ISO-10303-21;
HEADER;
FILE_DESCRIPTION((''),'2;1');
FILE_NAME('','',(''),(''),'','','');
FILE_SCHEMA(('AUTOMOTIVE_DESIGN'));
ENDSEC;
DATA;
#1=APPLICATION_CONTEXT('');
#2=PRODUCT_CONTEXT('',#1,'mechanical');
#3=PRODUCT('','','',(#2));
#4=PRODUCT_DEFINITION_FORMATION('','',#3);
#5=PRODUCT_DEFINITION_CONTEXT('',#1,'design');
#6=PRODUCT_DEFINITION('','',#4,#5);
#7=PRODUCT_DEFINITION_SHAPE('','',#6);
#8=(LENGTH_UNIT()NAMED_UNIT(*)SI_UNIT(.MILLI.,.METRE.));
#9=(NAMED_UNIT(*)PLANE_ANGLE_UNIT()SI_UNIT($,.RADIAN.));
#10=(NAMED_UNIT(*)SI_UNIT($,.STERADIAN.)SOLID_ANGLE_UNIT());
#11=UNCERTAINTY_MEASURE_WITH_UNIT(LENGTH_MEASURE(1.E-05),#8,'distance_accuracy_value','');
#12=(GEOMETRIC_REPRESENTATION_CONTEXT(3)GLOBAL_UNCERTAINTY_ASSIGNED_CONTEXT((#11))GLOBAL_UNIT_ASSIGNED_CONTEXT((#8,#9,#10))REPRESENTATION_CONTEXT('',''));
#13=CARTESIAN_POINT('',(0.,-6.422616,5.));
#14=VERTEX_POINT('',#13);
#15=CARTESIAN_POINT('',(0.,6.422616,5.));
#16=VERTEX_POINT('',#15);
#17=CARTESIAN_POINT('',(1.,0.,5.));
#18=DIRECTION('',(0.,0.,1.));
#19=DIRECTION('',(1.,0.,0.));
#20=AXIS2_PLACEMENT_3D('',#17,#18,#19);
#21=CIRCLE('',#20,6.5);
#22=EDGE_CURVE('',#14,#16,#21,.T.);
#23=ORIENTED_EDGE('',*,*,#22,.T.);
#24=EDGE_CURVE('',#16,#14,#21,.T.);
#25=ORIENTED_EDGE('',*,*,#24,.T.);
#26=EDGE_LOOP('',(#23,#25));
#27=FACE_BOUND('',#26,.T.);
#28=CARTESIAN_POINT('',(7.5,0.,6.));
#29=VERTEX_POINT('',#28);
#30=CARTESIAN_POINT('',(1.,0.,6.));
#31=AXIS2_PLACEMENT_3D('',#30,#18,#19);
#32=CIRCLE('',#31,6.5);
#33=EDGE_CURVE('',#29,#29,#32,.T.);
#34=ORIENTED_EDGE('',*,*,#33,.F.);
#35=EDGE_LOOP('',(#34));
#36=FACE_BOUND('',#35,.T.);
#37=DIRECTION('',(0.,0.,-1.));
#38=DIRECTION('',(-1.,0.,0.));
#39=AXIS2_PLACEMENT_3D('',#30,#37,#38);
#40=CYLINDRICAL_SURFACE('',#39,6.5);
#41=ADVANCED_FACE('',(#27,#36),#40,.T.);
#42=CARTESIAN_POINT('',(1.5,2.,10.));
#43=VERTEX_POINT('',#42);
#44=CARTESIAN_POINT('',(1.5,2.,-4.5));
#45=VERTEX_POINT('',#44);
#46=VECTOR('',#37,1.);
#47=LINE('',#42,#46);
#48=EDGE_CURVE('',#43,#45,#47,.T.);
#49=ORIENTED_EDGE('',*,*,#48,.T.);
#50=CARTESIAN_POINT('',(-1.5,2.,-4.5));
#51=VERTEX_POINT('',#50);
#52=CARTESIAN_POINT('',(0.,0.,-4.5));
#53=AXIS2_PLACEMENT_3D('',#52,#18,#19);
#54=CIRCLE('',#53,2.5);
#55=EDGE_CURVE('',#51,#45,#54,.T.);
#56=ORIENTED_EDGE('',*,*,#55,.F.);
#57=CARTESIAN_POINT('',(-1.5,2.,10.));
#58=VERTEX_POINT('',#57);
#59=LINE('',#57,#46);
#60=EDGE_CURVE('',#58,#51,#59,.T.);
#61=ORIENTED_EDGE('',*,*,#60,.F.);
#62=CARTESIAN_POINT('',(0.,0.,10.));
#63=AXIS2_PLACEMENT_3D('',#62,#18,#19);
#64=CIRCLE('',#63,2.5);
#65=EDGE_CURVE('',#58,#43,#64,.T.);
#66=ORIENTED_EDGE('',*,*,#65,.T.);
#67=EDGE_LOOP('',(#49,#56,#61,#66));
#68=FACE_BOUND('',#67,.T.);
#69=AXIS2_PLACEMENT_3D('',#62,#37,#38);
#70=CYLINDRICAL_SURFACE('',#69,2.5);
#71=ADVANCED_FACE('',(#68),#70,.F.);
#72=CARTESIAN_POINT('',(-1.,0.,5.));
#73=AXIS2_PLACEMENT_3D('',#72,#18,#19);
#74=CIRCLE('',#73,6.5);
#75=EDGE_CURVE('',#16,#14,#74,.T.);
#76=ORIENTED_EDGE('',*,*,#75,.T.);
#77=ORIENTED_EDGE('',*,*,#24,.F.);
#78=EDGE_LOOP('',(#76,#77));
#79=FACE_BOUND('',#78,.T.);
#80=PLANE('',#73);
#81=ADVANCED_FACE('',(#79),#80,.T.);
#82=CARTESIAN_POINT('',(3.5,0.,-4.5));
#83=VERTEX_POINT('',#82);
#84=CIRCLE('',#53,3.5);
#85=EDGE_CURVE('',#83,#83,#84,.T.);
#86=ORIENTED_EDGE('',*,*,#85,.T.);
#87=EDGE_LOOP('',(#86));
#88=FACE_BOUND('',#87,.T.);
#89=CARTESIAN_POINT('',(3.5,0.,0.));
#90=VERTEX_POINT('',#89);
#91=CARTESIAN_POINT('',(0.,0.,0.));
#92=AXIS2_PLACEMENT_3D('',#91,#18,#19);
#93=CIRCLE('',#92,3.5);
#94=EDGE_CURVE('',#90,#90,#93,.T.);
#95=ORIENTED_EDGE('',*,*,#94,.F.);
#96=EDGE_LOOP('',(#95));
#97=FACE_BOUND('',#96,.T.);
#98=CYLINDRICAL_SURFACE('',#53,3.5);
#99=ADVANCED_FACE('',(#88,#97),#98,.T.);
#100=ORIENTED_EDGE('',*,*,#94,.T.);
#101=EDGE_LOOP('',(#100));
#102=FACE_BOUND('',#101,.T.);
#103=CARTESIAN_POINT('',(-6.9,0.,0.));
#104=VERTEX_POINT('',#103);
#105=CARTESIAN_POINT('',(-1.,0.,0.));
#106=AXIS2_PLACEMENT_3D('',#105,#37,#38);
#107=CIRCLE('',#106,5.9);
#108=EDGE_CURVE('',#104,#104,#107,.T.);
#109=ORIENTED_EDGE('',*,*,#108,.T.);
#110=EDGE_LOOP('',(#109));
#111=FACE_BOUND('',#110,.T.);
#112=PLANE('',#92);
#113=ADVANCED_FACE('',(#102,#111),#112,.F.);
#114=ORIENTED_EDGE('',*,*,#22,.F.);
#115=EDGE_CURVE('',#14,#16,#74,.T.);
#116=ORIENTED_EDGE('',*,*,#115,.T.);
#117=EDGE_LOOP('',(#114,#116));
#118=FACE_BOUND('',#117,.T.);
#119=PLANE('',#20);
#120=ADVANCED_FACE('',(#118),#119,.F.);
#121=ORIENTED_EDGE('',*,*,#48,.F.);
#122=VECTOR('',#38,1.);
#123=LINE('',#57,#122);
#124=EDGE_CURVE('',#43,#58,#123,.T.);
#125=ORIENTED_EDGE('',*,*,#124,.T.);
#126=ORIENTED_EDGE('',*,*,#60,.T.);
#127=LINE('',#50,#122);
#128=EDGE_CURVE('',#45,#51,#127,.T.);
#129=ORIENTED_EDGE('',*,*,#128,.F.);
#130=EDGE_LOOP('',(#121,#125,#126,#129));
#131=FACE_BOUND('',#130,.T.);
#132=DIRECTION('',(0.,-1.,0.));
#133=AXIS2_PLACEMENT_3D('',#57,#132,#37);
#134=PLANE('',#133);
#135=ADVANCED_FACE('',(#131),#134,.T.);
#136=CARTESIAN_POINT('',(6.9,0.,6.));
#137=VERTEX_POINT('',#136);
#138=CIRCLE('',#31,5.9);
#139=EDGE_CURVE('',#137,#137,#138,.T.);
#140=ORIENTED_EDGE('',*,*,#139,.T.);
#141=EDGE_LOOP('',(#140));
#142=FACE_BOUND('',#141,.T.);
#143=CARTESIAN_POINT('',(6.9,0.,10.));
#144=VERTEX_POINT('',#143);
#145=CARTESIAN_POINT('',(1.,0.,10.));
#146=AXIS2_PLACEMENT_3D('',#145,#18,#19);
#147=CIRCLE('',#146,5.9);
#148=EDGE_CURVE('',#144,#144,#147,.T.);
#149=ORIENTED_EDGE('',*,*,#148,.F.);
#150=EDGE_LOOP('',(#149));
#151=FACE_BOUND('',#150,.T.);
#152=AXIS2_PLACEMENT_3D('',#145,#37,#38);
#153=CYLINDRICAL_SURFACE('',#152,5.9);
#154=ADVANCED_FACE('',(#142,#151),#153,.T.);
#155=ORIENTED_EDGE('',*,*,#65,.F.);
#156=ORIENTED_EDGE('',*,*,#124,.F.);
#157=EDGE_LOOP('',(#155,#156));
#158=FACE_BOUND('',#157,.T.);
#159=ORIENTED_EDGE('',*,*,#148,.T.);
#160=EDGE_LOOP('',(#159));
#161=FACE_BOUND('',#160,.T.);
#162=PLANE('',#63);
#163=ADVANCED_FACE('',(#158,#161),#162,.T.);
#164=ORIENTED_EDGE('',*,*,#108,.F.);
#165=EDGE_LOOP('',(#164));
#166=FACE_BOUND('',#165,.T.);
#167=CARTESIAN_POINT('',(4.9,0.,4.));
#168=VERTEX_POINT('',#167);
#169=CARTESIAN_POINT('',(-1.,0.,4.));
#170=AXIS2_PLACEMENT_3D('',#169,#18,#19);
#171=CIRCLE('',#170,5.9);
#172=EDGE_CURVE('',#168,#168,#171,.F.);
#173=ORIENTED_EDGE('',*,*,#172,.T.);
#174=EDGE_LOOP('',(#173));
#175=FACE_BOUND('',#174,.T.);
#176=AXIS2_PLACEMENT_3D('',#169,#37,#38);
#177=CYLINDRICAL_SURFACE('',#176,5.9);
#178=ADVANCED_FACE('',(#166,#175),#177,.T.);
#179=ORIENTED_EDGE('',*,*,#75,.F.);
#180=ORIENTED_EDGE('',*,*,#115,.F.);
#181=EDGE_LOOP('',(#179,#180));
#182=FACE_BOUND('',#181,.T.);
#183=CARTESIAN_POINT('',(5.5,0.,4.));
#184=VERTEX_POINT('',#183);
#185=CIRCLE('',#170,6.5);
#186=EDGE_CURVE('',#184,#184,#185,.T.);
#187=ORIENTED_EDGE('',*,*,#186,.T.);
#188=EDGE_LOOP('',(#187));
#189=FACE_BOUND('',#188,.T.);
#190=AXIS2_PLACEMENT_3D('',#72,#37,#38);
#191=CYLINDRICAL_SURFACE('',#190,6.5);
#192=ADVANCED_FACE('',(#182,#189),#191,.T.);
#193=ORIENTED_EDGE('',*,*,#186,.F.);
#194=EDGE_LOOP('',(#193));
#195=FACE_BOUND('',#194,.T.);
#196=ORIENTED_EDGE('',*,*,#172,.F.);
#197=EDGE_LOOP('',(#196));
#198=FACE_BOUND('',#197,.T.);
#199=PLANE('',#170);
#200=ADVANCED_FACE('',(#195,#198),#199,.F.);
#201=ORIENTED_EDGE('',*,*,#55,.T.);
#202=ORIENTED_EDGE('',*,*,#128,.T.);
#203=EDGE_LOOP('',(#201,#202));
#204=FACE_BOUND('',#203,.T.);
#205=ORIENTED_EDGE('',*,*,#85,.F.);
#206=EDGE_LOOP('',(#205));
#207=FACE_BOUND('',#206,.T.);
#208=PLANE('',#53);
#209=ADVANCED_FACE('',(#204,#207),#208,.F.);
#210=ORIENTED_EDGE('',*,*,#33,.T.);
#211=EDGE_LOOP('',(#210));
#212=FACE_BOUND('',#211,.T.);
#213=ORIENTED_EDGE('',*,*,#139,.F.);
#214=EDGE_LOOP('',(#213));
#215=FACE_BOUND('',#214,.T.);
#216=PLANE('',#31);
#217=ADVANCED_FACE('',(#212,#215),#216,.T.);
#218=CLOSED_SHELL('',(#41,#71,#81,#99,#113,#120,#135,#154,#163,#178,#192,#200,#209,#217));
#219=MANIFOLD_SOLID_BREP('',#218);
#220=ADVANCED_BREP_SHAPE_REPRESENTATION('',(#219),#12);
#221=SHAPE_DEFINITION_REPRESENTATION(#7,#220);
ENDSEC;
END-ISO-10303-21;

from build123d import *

# Parameters (mm, degrees)
SKETCH1_R           = 3.5
BOSS_EXTRUDE1_DEPTH = 10
SKETCH2_R           = 5.9
SKETCH2_R_2         = 3.5
BOSS_EXTRUDE2_DEPTH = 4
SKETCH3_R           = 6.5
BOSS_EXTRUDE3_DEPTH = 1
SKETCH4_R           = 6.5
BOSS_EXTRUDE4_DEPTH = 1
SKETCH5_R           = 5.9
BOSS_EXTRUDE5_DEPTH = 4
BOSS_EXTRUDE6_START = -4.5
SKETCH1_2_R         = 3.5
BOSS_EXTRUDE6_DEPTH = 4.5


with BuildPart() as part:
    # Sketch1 → Boss-Extrude1 (new body)
    with BuildSketch(Plane.XY):
        Circle(SKETCH1_R)
        with BuildLine():
            Line((-1.5, 2), (1.5, 2))
            ThreePointArc((1.5, 2), (0, -2.5), (-1.5, 2))
        make_face(mode=Mode.SUBTRACT)
    extrude(amount=BOSS_EXTRUDE1_DEPTH)

    # Sketch2 → Boss-Extrude2 (add)
    with BuildSketch(Plane(origin=(0, 0, 0), x_dir=(-1, 0, 0), z_dir=(0, 0, -1))):
        with Locations((1, 0)):
            Circle(SKETCH2_R)
        Circle(SKETCH2_R_2, mode=Mode.SUBTRACT)
    extrude(amount=-BOSS_EXTRUDE2_DEPTH)

    # Sketch3 → Boss-Extrude3 (add)
    with BuildSketch(Plane.XY.offset(4)):
        with Locations((-1, 0)):
            Circle(SKETCH3_R)
        with BuildLine():
            Line((1.5, 2), (-1.5, 2))
            ThreePointArc((-1.5, 2), (0, -2.5), (1.5, 2))
        make_face(mode=Mode.SUBTRACT)
    extrude(amount=BOSS_EXTRUDE3_DEPTH)

    # Sketch4 → Boss-Extrude4 (add)
    with BuildSketch(Plane.XY.offset(5)):
        with Locations((1, 0)):
            Circle(SKETCH4_R)
        with BuildLine():
            Line((1.5, 2), (-1.5, 2))
            ThreePointArc((-1.5, 2), (0, -2.5), (1.5, 2))
        make_face(mode=Mode.SUBTRACT)
    extrude(amount=BOSS_EXTRUDE4_DEPTH)

    # Sketch5 → Boss-Extrude5 (add)
    with BuildSketch(Plane.XY.offset(6)):
        with Locations((1, 0)):
            Circle(SKETCH5_R)
        with BuildLine():
            Line((1.5, 2), (-1.5, 2))
            ThreePointArc((-1.5, 2), (0, -2.5), (1.5, 2))
        make_face(mode=Mode.SUBTRACT)
    extrude(amount=BOSS_EXTRUDE5_DEPTH)

    # Sketch1<2> → Boss-Extrude6 (add)
    with BuildSketch(Plane.XY.offset(BOSS_EXTRUDE6_START)):
        Circle(SKETCH1_2_R)
        with BuildLine():
            Line((-1.5, 2), (1.5, 2))
            ThreePointArc((1.5, 2), (0, -2.5), (-1.5, 2))
        make_face(mode=Mode.SUBTRACT)
    extrude(amount=BOSS_EXTRUDE6_DEPTH)


solid = part.part
